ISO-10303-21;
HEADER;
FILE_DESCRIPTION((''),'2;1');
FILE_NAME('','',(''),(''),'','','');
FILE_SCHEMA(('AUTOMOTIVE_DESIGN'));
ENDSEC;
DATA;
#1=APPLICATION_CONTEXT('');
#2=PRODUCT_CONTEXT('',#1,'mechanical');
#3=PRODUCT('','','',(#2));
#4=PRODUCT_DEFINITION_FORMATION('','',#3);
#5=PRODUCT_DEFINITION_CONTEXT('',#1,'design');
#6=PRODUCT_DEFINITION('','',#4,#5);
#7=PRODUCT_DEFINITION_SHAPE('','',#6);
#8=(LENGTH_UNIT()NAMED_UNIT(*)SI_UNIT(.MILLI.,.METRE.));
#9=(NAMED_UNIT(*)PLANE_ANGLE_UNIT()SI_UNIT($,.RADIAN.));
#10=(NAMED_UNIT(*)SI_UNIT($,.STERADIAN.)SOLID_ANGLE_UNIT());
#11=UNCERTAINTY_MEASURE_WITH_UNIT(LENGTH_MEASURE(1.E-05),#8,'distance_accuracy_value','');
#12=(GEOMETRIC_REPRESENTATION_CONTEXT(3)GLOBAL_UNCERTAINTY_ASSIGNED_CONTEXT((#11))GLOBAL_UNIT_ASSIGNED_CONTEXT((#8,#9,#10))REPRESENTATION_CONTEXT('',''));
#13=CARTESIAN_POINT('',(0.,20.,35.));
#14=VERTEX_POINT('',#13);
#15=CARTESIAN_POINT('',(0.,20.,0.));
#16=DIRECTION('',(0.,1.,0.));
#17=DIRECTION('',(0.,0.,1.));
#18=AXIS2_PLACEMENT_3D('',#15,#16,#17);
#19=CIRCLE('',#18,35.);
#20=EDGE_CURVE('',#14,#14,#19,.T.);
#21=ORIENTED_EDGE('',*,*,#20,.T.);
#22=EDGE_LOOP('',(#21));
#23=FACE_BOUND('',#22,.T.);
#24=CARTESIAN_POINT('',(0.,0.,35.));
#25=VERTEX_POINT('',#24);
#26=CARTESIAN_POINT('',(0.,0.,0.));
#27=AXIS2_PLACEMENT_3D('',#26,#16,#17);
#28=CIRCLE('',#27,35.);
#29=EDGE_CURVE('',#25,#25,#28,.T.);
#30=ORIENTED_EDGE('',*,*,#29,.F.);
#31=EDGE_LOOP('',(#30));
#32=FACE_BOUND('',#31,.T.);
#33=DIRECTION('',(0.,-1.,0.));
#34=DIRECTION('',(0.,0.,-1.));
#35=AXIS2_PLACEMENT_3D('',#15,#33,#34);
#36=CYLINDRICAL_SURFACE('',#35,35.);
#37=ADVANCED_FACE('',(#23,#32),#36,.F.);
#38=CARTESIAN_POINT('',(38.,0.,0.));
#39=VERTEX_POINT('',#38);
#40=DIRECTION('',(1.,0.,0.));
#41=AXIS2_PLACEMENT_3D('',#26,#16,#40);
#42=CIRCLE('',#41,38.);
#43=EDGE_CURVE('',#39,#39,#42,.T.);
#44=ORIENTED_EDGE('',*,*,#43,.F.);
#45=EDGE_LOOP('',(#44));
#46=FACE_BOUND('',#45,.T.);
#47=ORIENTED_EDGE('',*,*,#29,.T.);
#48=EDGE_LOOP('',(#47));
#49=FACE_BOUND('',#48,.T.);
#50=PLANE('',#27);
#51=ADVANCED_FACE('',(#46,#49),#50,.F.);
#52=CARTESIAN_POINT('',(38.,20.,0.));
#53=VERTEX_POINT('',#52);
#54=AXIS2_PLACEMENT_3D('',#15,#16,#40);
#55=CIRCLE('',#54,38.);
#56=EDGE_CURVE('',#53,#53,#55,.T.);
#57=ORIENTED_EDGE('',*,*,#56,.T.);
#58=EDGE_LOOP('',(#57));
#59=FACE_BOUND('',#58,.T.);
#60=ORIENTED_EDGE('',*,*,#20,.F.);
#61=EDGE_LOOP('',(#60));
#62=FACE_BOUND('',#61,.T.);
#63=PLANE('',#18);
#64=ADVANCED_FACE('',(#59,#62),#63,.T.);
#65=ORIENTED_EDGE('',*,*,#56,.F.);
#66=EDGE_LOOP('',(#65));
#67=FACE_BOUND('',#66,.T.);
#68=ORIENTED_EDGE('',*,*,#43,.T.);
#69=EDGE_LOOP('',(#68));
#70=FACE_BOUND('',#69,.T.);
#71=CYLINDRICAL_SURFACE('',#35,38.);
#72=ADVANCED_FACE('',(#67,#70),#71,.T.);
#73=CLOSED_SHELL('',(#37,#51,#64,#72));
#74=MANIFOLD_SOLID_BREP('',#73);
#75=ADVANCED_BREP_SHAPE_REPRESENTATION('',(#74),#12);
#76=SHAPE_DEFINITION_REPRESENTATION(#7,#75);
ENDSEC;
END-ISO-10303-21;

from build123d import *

# Parameters (mm, degrees)
SKETCH_1_R      = 38
SKETCH_1_R_2    = 35
EXTRUDE_1_DEPTH = 20


with BuildPart() as part:
    # 草图1 → 拉伸-薄壁1 (new body)
    with BuildSketch(Plane(origin=(0, 0, 0), x_dir=(1, 0, 0), z_dir=(0, 1, 0))):
        Circle(SKETCH_1_R)
        Circle(SKETCH_1_R_2, mode=Mode.SUBTRACT)
    extrude(amount=EXTRUDE_1_DEPTH)


solid = part.part
